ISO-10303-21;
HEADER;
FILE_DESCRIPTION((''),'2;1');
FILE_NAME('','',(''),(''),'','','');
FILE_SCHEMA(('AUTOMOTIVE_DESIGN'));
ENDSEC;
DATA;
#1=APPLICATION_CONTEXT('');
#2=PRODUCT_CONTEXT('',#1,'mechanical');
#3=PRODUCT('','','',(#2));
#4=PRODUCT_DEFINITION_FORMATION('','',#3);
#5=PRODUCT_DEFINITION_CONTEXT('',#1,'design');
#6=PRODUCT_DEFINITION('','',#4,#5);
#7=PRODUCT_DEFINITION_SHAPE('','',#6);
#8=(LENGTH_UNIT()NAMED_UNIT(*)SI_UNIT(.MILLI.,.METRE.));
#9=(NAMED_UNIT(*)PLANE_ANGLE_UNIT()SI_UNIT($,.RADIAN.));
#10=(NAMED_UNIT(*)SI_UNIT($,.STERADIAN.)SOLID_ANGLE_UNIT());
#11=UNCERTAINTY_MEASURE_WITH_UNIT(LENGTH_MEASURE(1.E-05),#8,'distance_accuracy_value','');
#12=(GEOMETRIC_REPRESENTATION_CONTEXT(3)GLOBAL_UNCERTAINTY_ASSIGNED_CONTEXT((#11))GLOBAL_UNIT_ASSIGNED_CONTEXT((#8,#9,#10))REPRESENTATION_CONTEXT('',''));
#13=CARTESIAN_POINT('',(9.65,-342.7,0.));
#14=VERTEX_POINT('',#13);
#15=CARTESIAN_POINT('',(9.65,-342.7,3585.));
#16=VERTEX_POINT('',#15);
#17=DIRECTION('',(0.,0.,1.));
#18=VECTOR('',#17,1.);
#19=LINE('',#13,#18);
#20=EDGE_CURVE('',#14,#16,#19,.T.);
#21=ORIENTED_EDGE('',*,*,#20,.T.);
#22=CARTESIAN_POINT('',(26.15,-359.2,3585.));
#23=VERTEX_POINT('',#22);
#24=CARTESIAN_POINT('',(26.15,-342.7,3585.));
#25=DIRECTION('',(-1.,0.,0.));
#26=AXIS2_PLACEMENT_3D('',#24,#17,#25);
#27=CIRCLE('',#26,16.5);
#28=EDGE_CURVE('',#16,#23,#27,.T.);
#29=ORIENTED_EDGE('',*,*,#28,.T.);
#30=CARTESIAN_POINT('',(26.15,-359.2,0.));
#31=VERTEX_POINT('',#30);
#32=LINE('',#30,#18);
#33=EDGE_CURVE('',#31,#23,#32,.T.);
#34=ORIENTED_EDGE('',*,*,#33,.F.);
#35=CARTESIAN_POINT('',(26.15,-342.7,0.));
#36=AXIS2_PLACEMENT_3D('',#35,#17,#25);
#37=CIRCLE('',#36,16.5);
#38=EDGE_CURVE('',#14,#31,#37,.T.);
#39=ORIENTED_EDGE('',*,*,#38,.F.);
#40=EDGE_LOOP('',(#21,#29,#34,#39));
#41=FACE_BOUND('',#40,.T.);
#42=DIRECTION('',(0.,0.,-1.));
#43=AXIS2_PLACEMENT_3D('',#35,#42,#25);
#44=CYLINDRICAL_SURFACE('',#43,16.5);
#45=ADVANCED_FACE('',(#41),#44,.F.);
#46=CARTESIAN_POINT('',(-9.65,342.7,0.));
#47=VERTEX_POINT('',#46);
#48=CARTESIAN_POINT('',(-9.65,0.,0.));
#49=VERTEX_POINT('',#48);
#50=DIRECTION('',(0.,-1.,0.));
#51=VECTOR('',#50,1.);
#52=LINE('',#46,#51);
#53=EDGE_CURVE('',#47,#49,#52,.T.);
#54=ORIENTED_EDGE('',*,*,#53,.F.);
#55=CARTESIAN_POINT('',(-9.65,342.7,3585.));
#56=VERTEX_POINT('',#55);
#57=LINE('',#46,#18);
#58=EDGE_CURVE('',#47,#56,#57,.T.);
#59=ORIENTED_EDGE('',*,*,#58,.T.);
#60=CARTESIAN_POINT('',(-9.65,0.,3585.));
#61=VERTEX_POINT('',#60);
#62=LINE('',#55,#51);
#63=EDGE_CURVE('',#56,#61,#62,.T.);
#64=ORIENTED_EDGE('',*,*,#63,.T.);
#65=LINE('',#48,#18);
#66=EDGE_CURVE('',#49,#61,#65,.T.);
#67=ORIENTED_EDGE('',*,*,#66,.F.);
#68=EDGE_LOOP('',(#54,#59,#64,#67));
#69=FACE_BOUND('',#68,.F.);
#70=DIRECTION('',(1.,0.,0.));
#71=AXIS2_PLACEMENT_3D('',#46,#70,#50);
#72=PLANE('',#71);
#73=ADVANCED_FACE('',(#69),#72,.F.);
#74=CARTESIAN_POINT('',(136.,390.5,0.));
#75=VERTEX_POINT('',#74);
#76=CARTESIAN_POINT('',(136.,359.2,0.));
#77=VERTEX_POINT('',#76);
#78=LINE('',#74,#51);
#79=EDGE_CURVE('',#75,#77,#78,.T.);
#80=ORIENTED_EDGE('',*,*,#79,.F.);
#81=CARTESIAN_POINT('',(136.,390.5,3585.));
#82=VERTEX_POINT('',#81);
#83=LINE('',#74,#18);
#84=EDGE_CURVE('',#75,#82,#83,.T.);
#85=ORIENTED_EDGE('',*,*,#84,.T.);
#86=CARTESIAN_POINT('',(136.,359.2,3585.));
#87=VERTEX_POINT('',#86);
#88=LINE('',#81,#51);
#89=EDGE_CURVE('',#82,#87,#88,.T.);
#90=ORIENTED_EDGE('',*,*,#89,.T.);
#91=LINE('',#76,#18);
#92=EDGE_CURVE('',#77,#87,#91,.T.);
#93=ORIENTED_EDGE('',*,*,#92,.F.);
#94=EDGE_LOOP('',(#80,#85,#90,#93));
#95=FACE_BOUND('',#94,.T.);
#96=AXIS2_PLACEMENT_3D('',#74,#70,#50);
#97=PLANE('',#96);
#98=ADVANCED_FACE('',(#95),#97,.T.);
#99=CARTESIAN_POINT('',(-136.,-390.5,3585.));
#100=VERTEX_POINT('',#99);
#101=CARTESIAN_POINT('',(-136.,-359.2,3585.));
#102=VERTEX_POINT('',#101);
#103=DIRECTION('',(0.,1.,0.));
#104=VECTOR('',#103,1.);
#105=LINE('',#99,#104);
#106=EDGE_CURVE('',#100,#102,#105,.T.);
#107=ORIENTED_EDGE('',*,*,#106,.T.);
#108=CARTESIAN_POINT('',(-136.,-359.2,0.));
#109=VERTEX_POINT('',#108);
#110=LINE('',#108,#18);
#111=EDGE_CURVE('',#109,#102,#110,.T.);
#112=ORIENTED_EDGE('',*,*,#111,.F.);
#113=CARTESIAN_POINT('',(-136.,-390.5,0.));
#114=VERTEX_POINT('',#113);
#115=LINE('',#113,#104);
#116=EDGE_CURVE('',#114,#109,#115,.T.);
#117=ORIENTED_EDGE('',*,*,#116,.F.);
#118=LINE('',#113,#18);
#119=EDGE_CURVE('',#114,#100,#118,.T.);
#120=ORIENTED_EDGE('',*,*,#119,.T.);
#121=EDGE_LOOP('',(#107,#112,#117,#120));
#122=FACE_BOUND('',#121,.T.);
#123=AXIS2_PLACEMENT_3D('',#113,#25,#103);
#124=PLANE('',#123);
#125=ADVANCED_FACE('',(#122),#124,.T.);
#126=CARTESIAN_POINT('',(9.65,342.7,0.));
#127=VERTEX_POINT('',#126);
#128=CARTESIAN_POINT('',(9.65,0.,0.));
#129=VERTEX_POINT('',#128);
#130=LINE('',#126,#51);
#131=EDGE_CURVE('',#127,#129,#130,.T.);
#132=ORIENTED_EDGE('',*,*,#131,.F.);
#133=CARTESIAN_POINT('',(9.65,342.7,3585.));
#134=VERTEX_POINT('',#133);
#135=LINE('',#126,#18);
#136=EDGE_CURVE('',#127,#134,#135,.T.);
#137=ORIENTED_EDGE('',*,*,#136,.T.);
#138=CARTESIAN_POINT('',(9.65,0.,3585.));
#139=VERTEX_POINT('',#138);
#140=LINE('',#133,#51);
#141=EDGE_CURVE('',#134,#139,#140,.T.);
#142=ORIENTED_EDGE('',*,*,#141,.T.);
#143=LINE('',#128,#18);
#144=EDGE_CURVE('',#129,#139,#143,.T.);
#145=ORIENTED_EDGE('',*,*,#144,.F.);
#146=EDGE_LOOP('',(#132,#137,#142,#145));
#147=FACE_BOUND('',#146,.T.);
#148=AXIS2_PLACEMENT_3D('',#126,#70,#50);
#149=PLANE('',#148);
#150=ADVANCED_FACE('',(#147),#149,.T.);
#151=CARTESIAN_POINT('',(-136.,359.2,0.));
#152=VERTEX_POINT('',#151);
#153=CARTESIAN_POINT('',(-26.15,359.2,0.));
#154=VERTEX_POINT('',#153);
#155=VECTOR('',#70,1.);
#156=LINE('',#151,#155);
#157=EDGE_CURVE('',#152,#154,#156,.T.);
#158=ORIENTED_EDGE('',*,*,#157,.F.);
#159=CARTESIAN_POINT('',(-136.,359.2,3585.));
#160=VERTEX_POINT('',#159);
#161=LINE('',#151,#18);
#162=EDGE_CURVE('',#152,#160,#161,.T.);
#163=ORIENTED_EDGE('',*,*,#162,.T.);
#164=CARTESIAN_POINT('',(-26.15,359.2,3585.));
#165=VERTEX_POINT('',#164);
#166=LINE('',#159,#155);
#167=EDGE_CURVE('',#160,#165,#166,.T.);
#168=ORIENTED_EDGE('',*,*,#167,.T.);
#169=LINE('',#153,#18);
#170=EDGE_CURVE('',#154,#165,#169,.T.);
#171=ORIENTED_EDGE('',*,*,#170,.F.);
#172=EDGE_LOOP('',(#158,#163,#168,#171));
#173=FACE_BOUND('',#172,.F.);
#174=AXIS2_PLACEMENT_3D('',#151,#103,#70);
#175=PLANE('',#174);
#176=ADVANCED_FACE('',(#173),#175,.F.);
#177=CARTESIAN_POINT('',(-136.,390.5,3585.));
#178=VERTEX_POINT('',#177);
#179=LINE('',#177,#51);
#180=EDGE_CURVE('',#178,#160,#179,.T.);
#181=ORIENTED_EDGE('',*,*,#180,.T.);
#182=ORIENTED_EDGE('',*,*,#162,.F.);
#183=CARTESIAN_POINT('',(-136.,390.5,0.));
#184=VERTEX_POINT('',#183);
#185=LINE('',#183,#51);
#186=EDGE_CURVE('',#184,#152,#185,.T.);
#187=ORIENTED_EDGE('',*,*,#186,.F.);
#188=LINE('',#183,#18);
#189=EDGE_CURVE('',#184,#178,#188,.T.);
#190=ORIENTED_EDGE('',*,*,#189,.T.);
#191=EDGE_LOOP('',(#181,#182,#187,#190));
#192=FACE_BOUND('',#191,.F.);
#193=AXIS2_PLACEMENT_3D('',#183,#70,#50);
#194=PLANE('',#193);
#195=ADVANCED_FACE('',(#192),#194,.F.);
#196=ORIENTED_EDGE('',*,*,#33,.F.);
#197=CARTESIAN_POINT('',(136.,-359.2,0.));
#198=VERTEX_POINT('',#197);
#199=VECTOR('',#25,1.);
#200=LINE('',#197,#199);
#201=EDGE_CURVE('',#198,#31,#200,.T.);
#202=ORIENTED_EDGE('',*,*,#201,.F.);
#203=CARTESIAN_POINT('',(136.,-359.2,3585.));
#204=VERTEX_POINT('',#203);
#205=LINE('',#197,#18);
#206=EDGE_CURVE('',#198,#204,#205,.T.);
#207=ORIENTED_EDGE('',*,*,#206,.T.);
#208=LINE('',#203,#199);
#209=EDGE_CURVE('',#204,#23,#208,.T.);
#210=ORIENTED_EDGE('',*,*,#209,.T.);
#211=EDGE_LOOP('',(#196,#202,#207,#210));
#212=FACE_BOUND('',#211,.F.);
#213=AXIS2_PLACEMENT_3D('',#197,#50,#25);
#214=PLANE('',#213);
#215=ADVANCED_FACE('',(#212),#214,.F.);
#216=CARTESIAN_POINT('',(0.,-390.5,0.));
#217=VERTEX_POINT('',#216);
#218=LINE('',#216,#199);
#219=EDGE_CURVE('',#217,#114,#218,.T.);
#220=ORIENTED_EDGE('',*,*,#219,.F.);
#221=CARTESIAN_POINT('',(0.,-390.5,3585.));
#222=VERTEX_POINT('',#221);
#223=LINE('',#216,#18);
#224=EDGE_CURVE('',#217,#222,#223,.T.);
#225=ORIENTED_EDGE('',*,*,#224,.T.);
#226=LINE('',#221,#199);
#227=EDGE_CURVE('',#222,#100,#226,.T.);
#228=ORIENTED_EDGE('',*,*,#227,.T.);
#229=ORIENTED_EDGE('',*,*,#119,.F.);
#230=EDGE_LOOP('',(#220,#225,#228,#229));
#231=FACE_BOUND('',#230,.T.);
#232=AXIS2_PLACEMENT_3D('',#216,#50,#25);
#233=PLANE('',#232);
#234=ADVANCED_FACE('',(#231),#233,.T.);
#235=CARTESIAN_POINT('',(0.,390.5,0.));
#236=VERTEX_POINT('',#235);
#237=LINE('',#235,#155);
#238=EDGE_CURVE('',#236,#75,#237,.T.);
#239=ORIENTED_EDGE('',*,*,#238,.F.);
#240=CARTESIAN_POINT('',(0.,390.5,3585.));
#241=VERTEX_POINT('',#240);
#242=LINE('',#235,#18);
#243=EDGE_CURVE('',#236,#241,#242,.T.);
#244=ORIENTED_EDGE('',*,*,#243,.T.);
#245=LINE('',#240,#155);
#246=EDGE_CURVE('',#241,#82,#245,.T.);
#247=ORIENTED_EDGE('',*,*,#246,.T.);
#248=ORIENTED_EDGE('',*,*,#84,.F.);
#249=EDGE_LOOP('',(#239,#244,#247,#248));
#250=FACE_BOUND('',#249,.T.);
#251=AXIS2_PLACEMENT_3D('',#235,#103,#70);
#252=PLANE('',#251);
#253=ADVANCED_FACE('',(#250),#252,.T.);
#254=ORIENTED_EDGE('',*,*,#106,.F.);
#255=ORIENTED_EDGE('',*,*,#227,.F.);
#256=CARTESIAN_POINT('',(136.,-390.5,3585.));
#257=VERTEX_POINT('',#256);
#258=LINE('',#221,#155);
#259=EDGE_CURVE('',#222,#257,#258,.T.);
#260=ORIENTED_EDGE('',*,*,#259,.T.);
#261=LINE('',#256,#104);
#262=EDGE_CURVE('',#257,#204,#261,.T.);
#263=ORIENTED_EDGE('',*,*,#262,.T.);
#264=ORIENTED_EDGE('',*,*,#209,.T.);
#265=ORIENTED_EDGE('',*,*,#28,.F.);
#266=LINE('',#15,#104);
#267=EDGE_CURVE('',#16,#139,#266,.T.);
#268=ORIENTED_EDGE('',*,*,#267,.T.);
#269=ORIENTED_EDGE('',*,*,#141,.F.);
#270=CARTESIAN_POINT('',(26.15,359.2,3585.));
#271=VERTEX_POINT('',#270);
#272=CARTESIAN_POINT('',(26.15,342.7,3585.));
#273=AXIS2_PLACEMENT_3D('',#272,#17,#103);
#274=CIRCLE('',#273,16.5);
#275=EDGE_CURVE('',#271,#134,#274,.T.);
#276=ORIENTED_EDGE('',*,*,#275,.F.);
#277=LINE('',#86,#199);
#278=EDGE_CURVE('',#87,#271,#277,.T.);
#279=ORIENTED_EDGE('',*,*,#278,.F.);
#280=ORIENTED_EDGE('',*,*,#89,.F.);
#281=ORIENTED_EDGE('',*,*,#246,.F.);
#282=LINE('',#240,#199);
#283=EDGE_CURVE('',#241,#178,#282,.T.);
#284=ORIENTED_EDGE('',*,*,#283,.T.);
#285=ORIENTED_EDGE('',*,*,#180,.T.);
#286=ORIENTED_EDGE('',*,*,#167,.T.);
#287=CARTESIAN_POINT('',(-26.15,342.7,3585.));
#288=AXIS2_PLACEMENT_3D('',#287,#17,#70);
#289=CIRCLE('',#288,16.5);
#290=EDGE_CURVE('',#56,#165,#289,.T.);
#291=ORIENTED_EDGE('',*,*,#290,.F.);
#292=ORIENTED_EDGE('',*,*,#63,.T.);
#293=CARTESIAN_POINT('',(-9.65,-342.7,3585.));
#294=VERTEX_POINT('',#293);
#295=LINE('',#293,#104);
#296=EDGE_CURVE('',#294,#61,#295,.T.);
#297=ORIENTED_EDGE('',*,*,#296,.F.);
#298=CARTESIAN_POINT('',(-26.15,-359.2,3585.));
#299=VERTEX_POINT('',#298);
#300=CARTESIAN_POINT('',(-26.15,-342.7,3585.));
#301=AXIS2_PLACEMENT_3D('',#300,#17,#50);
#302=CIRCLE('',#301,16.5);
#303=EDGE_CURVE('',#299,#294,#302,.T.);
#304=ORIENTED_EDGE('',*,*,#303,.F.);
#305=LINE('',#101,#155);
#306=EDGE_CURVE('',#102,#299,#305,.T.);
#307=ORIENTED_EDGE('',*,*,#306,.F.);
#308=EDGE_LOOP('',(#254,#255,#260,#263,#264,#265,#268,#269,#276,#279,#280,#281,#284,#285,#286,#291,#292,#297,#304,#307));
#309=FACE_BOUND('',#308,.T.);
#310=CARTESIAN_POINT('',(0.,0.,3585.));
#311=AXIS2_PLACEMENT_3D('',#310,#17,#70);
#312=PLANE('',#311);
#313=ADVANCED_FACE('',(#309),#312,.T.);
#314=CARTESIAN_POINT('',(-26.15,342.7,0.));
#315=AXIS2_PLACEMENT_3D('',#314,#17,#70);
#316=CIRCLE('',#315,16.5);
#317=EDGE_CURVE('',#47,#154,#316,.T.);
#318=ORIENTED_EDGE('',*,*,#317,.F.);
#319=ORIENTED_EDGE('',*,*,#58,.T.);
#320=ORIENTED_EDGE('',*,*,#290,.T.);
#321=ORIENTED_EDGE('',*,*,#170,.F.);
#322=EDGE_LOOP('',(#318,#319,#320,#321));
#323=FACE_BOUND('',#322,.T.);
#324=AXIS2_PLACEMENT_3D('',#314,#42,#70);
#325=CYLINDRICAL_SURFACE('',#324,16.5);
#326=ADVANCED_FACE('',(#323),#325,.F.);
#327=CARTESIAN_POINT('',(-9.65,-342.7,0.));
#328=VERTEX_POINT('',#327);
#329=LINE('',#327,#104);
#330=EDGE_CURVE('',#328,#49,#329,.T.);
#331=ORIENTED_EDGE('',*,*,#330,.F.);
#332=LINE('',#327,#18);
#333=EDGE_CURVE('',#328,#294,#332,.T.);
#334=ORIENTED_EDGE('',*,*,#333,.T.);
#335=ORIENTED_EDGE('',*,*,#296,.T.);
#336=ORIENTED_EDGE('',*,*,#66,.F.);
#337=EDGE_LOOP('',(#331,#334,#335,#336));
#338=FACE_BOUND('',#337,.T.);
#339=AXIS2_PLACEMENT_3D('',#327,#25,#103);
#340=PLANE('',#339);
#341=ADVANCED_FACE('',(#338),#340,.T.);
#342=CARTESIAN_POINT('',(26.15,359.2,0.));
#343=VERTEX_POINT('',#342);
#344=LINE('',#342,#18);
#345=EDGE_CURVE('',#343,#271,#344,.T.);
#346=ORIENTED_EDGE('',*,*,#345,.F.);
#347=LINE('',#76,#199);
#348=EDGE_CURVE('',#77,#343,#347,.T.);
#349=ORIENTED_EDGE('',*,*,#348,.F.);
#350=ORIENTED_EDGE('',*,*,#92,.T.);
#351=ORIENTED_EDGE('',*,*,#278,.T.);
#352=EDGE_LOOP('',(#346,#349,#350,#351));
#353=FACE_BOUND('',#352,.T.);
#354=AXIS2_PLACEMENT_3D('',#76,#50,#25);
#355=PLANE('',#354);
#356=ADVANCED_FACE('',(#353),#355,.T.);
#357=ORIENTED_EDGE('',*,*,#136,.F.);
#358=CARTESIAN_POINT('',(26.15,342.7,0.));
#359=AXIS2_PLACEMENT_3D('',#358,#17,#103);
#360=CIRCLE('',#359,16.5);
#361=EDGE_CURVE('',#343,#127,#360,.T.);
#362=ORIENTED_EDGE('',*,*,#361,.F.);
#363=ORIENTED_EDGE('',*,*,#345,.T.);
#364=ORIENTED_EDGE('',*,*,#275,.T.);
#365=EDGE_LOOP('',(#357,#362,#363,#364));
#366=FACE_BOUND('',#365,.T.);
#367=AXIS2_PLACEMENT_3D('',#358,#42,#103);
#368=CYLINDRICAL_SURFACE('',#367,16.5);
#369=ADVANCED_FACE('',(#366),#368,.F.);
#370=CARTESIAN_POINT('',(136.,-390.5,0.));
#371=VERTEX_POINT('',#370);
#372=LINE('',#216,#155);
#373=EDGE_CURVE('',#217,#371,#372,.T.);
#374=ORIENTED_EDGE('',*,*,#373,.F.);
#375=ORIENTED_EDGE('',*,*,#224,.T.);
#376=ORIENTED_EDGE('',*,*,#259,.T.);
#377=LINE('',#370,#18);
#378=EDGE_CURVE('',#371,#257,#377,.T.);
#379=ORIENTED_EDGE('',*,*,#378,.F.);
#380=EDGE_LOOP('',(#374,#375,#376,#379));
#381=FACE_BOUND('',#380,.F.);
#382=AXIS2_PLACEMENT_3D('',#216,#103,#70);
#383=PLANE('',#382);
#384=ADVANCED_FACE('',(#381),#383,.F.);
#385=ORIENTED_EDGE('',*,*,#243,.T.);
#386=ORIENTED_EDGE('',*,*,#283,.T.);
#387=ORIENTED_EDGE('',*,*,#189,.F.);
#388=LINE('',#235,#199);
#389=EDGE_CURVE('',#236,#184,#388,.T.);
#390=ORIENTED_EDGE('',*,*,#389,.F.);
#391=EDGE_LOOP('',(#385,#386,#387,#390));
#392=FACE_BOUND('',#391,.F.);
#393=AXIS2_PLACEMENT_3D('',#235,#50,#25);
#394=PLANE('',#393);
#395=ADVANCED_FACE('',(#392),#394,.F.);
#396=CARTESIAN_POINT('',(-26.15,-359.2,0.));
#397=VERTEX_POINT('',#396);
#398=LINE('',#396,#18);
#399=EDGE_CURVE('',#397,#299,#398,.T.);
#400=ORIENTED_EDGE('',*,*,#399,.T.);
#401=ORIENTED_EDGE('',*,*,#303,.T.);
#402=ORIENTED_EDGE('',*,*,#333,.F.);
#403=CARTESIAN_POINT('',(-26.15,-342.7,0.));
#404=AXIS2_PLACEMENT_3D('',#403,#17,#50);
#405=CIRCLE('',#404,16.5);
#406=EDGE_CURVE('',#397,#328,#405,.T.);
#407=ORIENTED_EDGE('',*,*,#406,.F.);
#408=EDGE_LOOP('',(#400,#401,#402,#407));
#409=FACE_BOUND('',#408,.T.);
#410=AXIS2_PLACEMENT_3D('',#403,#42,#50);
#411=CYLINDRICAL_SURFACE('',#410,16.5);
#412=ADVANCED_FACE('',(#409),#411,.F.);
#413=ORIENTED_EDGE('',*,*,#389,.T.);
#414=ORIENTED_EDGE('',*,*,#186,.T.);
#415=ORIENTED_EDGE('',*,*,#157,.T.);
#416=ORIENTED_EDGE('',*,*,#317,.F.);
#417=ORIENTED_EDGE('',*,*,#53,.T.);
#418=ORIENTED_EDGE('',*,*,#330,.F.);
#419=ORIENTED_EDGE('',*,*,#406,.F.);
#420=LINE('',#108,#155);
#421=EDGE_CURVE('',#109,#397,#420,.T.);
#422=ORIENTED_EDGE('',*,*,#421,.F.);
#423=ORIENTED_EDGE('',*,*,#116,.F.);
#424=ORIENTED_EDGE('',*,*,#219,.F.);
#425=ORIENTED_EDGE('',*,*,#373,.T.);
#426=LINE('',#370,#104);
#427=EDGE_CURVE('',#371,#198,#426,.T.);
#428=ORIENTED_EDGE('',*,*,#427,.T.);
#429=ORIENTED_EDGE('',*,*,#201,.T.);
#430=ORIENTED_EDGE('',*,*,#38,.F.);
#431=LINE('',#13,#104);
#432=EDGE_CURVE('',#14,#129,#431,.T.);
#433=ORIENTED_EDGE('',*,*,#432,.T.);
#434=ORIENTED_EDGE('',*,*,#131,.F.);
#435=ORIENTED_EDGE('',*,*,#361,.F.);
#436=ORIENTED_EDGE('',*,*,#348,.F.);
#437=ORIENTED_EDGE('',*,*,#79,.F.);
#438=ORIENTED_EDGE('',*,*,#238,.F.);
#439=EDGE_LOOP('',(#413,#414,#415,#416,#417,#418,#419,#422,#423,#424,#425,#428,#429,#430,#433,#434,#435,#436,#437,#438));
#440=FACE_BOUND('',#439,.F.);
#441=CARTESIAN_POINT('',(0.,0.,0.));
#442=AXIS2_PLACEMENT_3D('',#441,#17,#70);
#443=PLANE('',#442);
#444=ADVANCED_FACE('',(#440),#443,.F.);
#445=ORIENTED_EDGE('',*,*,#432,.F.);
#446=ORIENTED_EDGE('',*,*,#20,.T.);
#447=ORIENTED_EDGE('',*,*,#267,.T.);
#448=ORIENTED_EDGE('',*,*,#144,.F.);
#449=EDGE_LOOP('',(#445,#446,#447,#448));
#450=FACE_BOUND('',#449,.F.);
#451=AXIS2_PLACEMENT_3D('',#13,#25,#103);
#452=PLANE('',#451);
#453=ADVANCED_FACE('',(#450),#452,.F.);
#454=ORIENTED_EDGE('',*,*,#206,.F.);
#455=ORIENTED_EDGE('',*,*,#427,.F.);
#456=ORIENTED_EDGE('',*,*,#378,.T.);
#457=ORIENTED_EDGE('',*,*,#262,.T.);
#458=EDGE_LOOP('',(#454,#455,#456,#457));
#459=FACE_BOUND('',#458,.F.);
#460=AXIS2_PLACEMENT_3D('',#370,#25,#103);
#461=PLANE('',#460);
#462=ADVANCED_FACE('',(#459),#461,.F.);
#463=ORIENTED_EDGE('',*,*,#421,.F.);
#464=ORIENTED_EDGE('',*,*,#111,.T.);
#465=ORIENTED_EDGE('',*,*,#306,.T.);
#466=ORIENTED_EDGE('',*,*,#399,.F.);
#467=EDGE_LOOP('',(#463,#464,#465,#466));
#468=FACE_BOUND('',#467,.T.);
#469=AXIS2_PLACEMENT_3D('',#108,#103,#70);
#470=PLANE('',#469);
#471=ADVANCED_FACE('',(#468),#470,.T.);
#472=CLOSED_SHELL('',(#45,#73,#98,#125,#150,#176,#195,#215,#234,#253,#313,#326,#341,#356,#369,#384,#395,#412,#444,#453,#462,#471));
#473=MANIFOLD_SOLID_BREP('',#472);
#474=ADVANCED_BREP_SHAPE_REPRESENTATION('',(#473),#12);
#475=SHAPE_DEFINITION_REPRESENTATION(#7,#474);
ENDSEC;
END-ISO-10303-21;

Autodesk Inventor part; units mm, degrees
ref_plane "YZ Plane" through (0, 0, 0) normal (1, 0, 0) x (0, 1, 0)
ref_plane "Start plane" through (0, 0, 0) normal (0, 0, 1) x (1, 0, 0)
ref_plane "End plane" through (0, 0, 3585) normal (0, 0, 1) x (1, 0, 0)
sketch "Sketch" plane through (0, 0, 0) normal (0, 0, 1) x (1, 0, 0)
  line L0 (-136, -390.5) -> (-136, -359.2)
  line L1 (-136, -359.2) -> (-26.15, -359.2)
  line L2 (-9.65, -342.7) -> (-9.65, 0)
  line L3 (-9.65, 0) -> (0, 0) construction
  line L4 (0, 0) -> (0, -390.5) construction
  line L5 (0, -390.5) -> (-136, -390.5)
  line L6 (-60, 0) -> (80, 0) construction
  line L7 (0, -60) -> (0, 80) construction
  line L8 (136, -390.5) -> (136, -359.2)
  line L9 (136, -359.2) -> (26.15, -359.2)
  line L10 (9.65, -342.7) -> (9.65, 0)
  line L11 (9.65, 0) -> (0, 0) construction
  line L12 (0, -390.5) -> (136, -390.5)
  line L13 (-136, 390.5) -> (-136, 359.2)
  line L14 (-136, 359.2) -> (-26.15, 359.2)
  line L15 (-9.65, 342.7) -> (-9.65, 0)
  line L16 (0, 390.5) -> (-136, 390.5)
  line L17 (136, 390.5) -> (136, 359.2)
  line L18 (136, 359.2) -> (26.15, 359.2)
  line L19 (0, 390.5) -> (136, 390.5)
  line L20 (9.65, 342.7) -> (9.65, 0)
  arc A0 (-9.65, 342.7) -> (-26.15, 359.2) centre (-26.15, 342.7) ccw
  arc A1 (26.15, 359.2) -> (9.65, 342.7) centre (26.15, 342.7) ccw
  arc A2 (9.65, -342.7) -> (26.15, -359.2) centre (26.15, -342.7) ccw
  arc A3 (-26.15, -359.2) -> (-9.65, -342.7) centre (-26.15, -342.7) ccw
  line L21 (0, 108) -> (0, -88) construction
  line L22 (-88, 0) -> (108, 0) construction
  point P0 (-9.65, -359.2)
  point P1 (9.65, -359.2)
  point P2 (-9.65, 359.2)
  point P3 (9.65, 359.2)
  dimension "d1" = 390.5
  dimension "d2" = 31.3
  dimension "d3" = 136
  dimension "d4" = 9.65
  dimension "d10" = 16.5
extrude "Body" add sketch "Sketch" along normal up to surface (3585 mm away) from surface at 0
sketch "Sketch4" plane through (0, 0, 0) normal (0, 0, 1) x (1, 0, 0)
  line L0 (0, 0) -> (10, 0)
ref_plane "Work Plane3" through (0, 0, 0) normal (0, -1, 0) x (1, 0, 0)
sketch "Sketch5" plane through (0, 0, 0) normal (0, -1, 0) x (1, 0, 0)
  line L0 (-2, 0) -> (12, 0) projected
  line L1 (-2, 3585) -> (12, 3585) projected
  dimension "d14" = 3585
equation "\"d1\" = 0.5 * G_H"
equation "\"d2\" = G_T1"
equation "\"d3\" = 0.5 * G_W"
equation "\"d4\" = 0.5 * G_T"
equation "\"d10\" = G_IR"
equation "\"d5\" = G_L"
equation "\"G_W\" = 272"
equation "\"G_H\" = 781"
equation "\"G_T\" = 19.3"
equation "\"G_T1\" = 31.3"
equation "\"G_IR\" = 16.5"
equation "\"G_L\" = d14"
equation "\"G_OFFSET_START\" = 0"
equation "\"G_OFFSET_END\" = 0"
equation "\"d12\" = G_OFFSET_END + B_L"
equation "\"B_L\" = 3585"
properties part number "AS 3679-1990 - 760 UB - 244 - 3585" material "Steel, Mild"
